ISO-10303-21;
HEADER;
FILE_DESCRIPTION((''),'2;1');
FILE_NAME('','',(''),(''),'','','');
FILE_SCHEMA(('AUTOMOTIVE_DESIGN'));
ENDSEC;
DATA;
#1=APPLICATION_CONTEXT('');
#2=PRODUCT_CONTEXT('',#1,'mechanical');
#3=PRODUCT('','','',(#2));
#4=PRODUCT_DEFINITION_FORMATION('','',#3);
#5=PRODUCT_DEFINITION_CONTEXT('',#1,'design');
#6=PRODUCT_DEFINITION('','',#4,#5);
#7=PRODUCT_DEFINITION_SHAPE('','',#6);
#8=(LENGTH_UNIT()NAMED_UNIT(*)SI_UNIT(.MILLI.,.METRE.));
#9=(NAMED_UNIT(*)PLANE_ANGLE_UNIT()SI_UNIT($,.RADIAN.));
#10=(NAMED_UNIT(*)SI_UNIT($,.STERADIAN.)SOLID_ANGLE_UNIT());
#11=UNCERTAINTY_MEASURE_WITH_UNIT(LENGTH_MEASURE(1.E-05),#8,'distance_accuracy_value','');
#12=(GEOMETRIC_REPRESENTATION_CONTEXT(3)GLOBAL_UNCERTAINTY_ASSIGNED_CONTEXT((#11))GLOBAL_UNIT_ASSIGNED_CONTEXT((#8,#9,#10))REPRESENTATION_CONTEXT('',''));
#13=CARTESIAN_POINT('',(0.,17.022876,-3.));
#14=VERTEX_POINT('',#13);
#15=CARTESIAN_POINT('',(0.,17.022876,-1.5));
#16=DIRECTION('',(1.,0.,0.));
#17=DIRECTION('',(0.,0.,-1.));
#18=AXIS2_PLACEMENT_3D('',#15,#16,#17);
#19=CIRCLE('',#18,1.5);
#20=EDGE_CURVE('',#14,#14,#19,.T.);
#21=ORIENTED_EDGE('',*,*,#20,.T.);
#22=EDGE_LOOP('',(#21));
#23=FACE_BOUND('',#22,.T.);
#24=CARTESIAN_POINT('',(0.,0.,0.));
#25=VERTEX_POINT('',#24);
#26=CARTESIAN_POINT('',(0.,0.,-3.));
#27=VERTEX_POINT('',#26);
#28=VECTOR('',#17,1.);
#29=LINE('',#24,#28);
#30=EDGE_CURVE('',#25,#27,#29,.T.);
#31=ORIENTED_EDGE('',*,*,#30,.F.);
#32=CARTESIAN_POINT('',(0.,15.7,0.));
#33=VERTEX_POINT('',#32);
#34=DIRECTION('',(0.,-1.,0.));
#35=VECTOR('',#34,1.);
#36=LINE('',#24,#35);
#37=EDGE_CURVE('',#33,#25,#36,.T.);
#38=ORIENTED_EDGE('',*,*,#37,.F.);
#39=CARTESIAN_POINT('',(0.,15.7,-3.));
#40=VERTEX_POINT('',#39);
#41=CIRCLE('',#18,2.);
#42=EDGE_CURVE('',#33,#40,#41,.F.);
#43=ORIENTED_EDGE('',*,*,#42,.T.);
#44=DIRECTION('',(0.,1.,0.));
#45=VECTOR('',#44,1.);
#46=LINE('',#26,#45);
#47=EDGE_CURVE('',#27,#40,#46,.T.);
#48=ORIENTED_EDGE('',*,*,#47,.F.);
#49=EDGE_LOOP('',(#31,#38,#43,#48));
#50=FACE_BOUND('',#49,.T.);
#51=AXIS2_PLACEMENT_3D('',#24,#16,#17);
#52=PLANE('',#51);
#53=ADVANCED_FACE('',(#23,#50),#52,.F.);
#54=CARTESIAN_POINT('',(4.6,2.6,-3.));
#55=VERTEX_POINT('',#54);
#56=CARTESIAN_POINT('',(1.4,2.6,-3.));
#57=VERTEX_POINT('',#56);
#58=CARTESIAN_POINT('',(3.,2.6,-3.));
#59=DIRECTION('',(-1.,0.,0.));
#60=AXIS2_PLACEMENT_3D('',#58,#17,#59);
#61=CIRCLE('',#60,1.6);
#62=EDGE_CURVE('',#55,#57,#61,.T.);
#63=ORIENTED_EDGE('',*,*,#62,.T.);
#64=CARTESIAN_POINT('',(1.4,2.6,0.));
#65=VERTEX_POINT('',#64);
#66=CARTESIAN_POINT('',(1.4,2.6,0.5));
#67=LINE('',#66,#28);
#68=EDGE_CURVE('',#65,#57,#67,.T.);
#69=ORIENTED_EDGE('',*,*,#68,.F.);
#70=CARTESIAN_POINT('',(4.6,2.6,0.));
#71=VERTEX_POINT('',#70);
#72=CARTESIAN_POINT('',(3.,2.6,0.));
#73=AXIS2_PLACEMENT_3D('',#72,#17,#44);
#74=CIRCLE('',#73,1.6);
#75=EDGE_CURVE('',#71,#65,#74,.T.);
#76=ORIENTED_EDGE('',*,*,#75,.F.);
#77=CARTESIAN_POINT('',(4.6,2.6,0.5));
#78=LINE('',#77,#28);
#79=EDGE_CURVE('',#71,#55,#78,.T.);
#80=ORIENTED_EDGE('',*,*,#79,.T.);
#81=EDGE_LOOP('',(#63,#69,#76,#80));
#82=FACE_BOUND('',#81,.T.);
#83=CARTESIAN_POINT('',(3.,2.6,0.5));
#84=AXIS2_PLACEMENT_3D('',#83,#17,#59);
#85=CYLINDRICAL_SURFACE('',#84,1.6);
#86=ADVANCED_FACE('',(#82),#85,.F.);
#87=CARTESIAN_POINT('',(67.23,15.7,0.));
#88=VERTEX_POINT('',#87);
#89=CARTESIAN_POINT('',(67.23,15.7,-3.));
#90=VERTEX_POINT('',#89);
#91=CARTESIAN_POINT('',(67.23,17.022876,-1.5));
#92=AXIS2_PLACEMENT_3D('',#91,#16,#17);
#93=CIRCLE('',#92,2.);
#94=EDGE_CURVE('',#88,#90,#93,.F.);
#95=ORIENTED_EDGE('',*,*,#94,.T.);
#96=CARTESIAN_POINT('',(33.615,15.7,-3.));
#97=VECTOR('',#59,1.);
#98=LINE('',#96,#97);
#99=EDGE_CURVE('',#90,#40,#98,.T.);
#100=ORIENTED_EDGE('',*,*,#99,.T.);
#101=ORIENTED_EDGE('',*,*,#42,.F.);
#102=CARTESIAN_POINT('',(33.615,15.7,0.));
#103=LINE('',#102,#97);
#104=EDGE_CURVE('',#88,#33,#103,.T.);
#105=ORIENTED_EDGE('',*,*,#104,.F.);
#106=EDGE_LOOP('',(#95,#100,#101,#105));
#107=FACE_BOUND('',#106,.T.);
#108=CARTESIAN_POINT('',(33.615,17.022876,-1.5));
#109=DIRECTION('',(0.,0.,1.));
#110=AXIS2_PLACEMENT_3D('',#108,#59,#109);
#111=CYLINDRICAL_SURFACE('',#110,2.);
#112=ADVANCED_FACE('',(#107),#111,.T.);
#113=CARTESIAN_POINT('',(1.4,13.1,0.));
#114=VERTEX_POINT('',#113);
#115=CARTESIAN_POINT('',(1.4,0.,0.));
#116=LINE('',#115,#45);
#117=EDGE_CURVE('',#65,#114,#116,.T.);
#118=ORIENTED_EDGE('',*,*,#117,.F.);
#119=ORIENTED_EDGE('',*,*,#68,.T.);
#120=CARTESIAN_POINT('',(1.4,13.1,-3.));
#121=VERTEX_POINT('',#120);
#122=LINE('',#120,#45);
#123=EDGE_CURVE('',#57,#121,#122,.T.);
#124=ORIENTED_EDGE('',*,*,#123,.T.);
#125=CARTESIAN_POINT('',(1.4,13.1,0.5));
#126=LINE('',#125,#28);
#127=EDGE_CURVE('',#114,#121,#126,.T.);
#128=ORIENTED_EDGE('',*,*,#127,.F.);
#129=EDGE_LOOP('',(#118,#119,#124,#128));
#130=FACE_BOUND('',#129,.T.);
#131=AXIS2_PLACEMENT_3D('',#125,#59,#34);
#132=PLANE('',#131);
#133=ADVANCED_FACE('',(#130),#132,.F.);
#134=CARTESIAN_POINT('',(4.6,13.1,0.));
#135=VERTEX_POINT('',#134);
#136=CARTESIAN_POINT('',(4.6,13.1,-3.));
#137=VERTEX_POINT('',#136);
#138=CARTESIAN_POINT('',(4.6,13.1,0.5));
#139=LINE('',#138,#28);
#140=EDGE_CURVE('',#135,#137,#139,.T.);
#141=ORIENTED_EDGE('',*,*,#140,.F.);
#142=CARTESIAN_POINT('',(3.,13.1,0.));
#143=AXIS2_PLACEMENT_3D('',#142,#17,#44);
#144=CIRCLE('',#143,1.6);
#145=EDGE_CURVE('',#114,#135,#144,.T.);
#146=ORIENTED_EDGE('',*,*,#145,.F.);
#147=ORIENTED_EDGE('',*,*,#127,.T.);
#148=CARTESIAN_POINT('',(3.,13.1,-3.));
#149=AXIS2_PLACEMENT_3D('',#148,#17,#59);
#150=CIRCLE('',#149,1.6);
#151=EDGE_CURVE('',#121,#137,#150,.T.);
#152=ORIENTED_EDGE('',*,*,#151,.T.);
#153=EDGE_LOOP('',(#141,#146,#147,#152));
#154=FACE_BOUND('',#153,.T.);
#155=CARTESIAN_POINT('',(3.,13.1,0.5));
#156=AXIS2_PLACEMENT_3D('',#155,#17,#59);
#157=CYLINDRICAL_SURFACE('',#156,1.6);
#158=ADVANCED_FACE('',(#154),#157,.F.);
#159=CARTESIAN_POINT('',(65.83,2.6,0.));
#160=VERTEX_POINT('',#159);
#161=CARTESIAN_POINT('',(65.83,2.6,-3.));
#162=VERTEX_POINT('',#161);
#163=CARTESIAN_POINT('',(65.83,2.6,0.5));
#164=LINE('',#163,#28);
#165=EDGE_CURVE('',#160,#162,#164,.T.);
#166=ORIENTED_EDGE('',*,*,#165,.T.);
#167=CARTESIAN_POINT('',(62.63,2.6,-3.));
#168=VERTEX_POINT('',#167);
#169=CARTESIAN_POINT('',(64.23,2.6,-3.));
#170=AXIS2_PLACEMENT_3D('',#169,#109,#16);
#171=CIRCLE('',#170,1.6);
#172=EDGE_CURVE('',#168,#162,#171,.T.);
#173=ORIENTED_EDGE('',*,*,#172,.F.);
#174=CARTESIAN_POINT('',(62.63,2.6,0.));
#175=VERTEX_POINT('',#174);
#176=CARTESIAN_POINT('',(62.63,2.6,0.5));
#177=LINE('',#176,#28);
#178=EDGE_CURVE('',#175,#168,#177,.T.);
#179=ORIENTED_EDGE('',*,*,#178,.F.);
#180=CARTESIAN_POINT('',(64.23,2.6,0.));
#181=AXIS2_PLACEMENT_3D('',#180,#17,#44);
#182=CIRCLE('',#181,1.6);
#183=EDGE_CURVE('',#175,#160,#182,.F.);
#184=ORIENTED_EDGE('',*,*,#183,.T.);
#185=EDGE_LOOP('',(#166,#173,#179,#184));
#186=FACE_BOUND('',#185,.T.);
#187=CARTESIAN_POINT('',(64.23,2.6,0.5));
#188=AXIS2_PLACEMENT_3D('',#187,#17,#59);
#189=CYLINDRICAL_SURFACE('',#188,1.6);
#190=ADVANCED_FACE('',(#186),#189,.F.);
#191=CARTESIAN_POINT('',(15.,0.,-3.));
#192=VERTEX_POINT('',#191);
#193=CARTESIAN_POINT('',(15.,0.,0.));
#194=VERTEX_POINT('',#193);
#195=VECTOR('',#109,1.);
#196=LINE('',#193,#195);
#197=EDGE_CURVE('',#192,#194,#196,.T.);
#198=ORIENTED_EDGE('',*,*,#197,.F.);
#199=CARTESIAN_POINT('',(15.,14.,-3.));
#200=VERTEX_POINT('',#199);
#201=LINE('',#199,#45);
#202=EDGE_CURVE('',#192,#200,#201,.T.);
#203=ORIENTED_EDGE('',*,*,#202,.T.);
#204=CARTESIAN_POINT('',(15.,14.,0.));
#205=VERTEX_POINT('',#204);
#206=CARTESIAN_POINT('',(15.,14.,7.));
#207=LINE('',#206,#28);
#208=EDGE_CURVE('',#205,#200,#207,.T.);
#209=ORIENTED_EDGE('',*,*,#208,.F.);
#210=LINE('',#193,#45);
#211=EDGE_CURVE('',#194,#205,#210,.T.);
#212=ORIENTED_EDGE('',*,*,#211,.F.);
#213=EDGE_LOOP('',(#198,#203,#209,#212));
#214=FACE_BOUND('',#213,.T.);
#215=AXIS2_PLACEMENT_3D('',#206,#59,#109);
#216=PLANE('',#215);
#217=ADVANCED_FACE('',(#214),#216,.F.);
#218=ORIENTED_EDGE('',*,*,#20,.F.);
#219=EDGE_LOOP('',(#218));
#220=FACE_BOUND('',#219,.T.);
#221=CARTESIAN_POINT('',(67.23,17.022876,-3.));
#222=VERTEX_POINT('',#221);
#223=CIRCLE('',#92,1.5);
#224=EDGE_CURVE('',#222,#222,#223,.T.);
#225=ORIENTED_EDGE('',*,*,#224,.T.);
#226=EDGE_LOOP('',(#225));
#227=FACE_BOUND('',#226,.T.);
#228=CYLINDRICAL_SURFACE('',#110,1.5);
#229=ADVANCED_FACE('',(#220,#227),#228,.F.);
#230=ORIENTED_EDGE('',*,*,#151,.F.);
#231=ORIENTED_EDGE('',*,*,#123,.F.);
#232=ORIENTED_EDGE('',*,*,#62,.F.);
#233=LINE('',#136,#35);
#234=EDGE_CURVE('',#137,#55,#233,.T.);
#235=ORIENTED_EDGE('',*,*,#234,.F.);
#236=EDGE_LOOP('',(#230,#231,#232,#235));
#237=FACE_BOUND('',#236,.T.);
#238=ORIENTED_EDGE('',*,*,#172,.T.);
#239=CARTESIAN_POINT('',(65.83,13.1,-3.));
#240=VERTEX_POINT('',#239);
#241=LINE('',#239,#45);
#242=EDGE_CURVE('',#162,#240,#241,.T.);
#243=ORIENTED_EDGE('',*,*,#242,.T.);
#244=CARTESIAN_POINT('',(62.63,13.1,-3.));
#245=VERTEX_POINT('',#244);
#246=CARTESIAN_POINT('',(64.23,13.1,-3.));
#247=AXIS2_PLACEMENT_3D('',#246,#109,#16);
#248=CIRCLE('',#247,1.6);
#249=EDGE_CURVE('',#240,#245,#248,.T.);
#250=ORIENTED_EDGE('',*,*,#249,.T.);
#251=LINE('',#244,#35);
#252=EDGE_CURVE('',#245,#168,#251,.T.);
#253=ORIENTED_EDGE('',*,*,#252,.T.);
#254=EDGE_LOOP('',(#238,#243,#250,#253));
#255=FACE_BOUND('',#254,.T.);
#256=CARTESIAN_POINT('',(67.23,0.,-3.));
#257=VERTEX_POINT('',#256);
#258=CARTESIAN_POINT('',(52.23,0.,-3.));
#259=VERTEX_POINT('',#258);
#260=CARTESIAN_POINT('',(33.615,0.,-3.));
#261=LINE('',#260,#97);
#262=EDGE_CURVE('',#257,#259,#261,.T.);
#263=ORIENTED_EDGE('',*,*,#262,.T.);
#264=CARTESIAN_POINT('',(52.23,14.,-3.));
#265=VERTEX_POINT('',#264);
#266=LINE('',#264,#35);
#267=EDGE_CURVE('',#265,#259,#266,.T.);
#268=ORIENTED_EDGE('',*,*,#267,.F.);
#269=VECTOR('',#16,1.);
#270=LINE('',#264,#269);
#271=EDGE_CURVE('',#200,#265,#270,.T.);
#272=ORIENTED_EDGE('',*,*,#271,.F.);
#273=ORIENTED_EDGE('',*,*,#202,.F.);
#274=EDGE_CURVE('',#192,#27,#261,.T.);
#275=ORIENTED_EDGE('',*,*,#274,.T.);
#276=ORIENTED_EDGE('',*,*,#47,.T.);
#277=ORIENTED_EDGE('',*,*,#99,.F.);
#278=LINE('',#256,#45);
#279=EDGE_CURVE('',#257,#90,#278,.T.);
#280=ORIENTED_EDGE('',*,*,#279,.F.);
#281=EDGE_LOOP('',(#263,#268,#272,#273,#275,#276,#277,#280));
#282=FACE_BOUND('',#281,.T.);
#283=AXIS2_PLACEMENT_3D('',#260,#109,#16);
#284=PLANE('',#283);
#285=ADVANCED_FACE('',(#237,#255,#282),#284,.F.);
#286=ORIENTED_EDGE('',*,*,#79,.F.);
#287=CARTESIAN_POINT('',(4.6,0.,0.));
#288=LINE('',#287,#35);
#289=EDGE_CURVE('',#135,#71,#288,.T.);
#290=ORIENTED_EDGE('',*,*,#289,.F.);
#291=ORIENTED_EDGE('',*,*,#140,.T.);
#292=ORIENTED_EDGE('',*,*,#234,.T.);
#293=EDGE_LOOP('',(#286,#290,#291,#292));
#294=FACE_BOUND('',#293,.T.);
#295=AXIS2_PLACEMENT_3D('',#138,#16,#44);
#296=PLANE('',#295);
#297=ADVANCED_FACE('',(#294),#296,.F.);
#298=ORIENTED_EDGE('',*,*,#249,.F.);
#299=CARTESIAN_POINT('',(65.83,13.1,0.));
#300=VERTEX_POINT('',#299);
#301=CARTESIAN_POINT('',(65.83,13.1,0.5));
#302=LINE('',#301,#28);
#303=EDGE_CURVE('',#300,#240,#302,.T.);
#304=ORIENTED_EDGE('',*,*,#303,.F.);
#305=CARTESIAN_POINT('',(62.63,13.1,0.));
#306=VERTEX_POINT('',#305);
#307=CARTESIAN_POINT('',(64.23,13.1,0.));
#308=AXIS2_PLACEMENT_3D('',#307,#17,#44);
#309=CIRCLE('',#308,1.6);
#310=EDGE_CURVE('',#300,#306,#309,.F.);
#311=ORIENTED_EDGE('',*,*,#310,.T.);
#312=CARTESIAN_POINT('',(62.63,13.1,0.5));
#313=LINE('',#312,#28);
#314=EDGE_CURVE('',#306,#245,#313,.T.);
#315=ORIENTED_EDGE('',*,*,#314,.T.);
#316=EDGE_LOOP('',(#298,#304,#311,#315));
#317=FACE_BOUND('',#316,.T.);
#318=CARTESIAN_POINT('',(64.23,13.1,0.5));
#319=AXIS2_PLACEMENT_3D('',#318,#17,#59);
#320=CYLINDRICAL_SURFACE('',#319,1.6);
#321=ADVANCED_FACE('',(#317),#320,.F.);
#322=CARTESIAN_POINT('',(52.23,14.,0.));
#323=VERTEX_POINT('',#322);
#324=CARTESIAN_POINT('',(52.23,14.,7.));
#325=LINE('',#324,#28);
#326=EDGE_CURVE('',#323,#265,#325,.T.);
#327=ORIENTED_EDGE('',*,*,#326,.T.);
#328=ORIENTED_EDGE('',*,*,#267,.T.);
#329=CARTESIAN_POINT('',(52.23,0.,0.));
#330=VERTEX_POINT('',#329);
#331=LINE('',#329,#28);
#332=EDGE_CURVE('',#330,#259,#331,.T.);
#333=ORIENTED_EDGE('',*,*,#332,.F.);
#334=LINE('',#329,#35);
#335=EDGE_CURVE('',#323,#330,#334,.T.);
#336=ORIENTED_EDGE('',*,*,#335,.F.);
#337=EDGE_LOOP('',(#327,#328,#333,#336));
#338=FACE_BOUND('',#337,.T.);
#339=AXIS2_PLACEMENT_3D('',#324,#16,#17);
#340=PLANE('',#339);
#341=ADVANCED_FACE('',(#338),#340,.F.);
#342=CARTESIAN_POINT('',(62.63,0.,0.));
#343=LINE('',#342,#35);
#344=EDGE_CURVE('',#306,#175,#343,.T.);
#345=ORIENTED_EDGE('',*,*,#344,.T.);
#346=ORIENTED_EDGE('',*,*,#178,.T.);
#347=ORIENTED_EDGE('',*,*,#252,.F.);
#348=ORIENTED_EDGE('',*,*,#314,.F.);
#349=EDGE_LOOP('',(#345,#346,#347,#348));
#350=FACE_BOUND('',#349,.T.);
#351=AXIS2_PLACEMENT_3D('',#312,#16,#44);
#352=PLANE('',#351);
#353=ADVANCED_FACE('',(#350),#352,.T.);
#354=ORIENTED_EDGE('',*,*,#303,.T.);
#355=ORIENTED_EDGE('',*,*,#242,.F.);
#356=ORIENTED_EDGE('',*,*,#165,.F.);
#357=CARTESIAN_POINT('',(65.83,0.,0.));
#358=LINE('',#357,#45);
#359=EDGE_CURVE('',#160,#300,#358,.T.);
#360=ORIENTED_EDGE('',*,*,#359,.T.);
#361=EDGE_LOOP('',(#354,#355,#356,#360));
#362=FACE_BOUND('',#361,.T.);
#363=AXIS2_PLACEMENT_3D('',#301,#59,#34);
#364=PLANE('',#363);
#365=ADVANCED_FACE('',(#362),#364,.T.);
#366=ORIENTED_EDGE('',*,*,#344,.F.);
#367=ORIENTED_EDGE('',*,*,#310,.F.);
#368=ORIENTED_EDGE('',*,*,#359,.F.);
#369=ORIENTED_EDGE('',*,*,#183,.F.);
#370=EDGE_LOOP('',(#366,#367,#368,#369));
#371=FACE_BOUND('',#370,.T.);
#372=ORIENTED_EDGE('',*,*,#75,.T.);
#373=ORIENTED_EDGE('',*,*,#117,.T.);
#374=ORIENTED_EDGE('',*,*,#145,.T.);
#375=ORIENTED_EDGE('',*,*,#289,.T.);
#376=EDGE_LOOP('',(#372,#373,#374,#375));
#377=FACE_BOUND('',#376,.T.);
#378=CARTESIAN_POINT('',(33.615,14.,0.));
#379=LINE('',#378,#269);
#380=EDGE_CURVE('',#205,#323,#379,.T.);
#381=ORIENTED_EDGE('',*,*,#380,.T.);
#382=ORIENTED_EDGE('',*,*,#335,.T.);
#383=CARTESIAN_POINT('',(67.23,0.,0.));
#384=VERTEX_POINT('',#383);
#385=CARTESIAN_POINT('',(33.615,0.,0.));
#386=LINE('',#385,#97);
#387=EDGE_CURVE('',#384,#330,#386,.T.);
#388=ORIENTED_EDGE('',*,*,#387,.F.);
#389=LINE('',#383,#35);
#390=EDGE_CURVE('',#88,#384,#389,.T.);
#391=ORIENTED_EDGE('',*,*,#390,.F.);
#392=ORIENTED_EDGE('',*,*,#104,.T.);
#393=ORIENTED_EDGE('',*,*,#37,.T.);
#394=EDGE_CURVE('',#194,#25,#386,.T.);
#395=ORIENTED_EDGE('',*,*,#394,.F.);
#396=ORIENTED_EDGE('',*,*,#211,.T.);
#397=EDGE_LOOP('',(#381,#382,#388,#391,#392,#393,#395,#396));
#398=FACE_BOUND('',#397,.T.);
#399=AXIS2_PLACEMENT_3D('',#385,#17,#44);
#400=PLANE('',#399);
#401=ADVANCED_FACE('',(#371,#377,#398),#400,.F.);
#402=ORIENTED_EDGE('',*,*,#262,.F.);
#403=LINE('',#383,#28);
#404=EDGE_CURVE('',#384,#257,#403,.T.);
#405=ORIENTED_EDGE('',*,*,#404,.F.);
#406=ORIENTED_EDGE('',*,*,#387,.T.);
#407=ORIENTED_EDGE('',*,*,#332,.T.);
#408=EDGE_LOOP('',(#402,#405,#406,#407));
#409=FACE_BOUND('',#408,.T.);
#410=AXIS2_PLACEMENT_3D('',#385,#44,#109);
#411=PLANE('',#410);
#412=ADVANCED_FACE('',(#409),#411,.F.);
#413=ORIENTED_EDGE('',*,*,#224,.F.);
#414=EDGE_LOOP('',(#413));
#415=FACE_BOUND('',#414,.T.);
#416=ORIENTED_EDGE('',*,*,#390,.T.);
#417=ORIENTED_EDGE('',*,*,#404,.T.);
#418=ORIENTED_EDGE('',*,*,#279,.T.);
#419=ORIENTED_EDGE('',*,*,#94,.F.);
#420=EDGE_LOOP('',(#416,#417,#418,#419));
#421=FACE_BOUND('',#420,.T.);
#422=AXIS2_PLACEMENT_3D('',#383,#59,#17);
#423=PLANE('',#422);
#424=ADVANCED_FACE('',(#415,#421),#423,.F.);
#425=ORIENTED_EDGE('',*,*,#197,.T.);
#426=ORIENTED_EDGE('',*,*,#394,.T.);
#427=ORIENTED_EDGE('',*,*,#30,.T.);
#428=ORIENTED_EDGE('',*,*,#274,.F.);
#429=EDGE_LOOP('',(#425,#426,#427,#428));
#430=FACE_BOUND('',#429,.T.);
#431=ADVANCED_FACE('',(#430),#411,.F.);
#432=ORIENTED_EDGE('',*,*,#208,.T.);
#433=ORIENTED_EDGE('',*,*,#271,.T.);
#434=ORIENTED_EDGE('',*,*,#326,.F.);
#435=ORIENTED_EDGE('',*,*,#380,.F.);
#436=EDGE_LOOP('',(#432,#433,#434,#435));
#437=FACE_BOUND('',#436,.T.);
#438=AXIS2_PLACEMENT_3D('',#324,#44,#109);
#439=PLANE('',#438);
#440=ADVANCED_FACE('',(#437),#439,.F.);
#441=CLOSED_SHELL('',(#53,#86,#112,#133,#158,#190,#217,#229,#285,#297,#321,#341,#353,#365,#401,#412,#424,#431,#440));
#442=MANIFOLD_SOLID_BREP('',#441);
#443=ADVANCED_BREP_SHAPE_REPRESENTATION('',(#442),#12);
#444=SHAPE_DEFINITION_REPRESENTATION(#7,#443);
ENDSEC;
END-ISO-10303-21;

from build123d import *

# Parameters (mm, degrees)
SKETCH1_R           = 1.5
BOSS_EXTRUDE1_DEPTH = 33.615
CUT_EXTRUDE1_DEPTH  = 39.782573705
SKETCH3_W           = 37.23
SKETCH3_H           = 14
CUT_EXTRUDE3_DEPTH  = 10


with BuildPart() as part:
    # Sketch1 → Boss-Extrude1 (new body)
    with BuildSketch(Plane(origin=(0, 0, 0), x_dir=(0, 0, -1), z_dir=(1, 0, 0))):
        with BuildLine():
            ThreePointArc((0, 15.7), (1.5, 19.022875656), (3, 15.7))
            Line((3, 15.7), (3, 0))
            Line((3, 0), (0, 0))
            Line((0, 0), (0, 15.7))
        make_face()
        with Locations((1.5, 17.022875656)):
            Circle(SKETCH1_R, mode=Mode.SUBTRACT)
    boss_extrude1 = extrude(amount=BOSS_EXTRUDE1_DEPTH)

    # Sketch2 → Cut-Extrude1 (cut, through all)
    with BuildSketch(Plane(origin=(0, 0, -3), x_dir=(-1, 0, 0), z_dir=(0, 0, -1))):
        with BuildLine():
            Line((-1.4, 13.1), (-1.4, 2.6))
            ThreePointArc((-1.4, 2.6), (-3, 1), (-4.6, 2.6))
            Line((-4.6, 2.6), (-4.6, 13.1))
            ThreePointArc((-4.6, 13.1), (-3, 14.7), (-1.4, 13.1))
        make_face()
    cut_extrude1 = extrude(amount=-CUT_EXTRUDE1_DEPTH, mode=Mode.SUBTRACT)

    # Mirror1: Boss-Extrude1, Cut-Extrude1 across plane
    add(boss_extrude1.mirror(Plane(origin=(33.615, 0, 0), x_dir=(0, 0, 1), z_dir=(1, 0, 0))))
    add(cut_extrude1.mirror(Plane(origin=(33.615, 0, 0), x_dir=(0, 0, 1), z_dir=(1, 0, 0))), mode=Mode.SUBTRACT)

    # Sketch3 → Cut-Extrude3 (cut)
    with BuildSketch(Plane(origin=(0, 0, -3), x_dir=(-1, 0, 0), z_dir=(0, 0, -1))):
        with Locations((-33.615, 7)):
            Rectangle(SKETCH3_W, SKETCH3_H)
    extrude(amount=-CUT_EXTRUDE3_DEPTH, mode=Mode.SUBTRACT)


solid = part.part
